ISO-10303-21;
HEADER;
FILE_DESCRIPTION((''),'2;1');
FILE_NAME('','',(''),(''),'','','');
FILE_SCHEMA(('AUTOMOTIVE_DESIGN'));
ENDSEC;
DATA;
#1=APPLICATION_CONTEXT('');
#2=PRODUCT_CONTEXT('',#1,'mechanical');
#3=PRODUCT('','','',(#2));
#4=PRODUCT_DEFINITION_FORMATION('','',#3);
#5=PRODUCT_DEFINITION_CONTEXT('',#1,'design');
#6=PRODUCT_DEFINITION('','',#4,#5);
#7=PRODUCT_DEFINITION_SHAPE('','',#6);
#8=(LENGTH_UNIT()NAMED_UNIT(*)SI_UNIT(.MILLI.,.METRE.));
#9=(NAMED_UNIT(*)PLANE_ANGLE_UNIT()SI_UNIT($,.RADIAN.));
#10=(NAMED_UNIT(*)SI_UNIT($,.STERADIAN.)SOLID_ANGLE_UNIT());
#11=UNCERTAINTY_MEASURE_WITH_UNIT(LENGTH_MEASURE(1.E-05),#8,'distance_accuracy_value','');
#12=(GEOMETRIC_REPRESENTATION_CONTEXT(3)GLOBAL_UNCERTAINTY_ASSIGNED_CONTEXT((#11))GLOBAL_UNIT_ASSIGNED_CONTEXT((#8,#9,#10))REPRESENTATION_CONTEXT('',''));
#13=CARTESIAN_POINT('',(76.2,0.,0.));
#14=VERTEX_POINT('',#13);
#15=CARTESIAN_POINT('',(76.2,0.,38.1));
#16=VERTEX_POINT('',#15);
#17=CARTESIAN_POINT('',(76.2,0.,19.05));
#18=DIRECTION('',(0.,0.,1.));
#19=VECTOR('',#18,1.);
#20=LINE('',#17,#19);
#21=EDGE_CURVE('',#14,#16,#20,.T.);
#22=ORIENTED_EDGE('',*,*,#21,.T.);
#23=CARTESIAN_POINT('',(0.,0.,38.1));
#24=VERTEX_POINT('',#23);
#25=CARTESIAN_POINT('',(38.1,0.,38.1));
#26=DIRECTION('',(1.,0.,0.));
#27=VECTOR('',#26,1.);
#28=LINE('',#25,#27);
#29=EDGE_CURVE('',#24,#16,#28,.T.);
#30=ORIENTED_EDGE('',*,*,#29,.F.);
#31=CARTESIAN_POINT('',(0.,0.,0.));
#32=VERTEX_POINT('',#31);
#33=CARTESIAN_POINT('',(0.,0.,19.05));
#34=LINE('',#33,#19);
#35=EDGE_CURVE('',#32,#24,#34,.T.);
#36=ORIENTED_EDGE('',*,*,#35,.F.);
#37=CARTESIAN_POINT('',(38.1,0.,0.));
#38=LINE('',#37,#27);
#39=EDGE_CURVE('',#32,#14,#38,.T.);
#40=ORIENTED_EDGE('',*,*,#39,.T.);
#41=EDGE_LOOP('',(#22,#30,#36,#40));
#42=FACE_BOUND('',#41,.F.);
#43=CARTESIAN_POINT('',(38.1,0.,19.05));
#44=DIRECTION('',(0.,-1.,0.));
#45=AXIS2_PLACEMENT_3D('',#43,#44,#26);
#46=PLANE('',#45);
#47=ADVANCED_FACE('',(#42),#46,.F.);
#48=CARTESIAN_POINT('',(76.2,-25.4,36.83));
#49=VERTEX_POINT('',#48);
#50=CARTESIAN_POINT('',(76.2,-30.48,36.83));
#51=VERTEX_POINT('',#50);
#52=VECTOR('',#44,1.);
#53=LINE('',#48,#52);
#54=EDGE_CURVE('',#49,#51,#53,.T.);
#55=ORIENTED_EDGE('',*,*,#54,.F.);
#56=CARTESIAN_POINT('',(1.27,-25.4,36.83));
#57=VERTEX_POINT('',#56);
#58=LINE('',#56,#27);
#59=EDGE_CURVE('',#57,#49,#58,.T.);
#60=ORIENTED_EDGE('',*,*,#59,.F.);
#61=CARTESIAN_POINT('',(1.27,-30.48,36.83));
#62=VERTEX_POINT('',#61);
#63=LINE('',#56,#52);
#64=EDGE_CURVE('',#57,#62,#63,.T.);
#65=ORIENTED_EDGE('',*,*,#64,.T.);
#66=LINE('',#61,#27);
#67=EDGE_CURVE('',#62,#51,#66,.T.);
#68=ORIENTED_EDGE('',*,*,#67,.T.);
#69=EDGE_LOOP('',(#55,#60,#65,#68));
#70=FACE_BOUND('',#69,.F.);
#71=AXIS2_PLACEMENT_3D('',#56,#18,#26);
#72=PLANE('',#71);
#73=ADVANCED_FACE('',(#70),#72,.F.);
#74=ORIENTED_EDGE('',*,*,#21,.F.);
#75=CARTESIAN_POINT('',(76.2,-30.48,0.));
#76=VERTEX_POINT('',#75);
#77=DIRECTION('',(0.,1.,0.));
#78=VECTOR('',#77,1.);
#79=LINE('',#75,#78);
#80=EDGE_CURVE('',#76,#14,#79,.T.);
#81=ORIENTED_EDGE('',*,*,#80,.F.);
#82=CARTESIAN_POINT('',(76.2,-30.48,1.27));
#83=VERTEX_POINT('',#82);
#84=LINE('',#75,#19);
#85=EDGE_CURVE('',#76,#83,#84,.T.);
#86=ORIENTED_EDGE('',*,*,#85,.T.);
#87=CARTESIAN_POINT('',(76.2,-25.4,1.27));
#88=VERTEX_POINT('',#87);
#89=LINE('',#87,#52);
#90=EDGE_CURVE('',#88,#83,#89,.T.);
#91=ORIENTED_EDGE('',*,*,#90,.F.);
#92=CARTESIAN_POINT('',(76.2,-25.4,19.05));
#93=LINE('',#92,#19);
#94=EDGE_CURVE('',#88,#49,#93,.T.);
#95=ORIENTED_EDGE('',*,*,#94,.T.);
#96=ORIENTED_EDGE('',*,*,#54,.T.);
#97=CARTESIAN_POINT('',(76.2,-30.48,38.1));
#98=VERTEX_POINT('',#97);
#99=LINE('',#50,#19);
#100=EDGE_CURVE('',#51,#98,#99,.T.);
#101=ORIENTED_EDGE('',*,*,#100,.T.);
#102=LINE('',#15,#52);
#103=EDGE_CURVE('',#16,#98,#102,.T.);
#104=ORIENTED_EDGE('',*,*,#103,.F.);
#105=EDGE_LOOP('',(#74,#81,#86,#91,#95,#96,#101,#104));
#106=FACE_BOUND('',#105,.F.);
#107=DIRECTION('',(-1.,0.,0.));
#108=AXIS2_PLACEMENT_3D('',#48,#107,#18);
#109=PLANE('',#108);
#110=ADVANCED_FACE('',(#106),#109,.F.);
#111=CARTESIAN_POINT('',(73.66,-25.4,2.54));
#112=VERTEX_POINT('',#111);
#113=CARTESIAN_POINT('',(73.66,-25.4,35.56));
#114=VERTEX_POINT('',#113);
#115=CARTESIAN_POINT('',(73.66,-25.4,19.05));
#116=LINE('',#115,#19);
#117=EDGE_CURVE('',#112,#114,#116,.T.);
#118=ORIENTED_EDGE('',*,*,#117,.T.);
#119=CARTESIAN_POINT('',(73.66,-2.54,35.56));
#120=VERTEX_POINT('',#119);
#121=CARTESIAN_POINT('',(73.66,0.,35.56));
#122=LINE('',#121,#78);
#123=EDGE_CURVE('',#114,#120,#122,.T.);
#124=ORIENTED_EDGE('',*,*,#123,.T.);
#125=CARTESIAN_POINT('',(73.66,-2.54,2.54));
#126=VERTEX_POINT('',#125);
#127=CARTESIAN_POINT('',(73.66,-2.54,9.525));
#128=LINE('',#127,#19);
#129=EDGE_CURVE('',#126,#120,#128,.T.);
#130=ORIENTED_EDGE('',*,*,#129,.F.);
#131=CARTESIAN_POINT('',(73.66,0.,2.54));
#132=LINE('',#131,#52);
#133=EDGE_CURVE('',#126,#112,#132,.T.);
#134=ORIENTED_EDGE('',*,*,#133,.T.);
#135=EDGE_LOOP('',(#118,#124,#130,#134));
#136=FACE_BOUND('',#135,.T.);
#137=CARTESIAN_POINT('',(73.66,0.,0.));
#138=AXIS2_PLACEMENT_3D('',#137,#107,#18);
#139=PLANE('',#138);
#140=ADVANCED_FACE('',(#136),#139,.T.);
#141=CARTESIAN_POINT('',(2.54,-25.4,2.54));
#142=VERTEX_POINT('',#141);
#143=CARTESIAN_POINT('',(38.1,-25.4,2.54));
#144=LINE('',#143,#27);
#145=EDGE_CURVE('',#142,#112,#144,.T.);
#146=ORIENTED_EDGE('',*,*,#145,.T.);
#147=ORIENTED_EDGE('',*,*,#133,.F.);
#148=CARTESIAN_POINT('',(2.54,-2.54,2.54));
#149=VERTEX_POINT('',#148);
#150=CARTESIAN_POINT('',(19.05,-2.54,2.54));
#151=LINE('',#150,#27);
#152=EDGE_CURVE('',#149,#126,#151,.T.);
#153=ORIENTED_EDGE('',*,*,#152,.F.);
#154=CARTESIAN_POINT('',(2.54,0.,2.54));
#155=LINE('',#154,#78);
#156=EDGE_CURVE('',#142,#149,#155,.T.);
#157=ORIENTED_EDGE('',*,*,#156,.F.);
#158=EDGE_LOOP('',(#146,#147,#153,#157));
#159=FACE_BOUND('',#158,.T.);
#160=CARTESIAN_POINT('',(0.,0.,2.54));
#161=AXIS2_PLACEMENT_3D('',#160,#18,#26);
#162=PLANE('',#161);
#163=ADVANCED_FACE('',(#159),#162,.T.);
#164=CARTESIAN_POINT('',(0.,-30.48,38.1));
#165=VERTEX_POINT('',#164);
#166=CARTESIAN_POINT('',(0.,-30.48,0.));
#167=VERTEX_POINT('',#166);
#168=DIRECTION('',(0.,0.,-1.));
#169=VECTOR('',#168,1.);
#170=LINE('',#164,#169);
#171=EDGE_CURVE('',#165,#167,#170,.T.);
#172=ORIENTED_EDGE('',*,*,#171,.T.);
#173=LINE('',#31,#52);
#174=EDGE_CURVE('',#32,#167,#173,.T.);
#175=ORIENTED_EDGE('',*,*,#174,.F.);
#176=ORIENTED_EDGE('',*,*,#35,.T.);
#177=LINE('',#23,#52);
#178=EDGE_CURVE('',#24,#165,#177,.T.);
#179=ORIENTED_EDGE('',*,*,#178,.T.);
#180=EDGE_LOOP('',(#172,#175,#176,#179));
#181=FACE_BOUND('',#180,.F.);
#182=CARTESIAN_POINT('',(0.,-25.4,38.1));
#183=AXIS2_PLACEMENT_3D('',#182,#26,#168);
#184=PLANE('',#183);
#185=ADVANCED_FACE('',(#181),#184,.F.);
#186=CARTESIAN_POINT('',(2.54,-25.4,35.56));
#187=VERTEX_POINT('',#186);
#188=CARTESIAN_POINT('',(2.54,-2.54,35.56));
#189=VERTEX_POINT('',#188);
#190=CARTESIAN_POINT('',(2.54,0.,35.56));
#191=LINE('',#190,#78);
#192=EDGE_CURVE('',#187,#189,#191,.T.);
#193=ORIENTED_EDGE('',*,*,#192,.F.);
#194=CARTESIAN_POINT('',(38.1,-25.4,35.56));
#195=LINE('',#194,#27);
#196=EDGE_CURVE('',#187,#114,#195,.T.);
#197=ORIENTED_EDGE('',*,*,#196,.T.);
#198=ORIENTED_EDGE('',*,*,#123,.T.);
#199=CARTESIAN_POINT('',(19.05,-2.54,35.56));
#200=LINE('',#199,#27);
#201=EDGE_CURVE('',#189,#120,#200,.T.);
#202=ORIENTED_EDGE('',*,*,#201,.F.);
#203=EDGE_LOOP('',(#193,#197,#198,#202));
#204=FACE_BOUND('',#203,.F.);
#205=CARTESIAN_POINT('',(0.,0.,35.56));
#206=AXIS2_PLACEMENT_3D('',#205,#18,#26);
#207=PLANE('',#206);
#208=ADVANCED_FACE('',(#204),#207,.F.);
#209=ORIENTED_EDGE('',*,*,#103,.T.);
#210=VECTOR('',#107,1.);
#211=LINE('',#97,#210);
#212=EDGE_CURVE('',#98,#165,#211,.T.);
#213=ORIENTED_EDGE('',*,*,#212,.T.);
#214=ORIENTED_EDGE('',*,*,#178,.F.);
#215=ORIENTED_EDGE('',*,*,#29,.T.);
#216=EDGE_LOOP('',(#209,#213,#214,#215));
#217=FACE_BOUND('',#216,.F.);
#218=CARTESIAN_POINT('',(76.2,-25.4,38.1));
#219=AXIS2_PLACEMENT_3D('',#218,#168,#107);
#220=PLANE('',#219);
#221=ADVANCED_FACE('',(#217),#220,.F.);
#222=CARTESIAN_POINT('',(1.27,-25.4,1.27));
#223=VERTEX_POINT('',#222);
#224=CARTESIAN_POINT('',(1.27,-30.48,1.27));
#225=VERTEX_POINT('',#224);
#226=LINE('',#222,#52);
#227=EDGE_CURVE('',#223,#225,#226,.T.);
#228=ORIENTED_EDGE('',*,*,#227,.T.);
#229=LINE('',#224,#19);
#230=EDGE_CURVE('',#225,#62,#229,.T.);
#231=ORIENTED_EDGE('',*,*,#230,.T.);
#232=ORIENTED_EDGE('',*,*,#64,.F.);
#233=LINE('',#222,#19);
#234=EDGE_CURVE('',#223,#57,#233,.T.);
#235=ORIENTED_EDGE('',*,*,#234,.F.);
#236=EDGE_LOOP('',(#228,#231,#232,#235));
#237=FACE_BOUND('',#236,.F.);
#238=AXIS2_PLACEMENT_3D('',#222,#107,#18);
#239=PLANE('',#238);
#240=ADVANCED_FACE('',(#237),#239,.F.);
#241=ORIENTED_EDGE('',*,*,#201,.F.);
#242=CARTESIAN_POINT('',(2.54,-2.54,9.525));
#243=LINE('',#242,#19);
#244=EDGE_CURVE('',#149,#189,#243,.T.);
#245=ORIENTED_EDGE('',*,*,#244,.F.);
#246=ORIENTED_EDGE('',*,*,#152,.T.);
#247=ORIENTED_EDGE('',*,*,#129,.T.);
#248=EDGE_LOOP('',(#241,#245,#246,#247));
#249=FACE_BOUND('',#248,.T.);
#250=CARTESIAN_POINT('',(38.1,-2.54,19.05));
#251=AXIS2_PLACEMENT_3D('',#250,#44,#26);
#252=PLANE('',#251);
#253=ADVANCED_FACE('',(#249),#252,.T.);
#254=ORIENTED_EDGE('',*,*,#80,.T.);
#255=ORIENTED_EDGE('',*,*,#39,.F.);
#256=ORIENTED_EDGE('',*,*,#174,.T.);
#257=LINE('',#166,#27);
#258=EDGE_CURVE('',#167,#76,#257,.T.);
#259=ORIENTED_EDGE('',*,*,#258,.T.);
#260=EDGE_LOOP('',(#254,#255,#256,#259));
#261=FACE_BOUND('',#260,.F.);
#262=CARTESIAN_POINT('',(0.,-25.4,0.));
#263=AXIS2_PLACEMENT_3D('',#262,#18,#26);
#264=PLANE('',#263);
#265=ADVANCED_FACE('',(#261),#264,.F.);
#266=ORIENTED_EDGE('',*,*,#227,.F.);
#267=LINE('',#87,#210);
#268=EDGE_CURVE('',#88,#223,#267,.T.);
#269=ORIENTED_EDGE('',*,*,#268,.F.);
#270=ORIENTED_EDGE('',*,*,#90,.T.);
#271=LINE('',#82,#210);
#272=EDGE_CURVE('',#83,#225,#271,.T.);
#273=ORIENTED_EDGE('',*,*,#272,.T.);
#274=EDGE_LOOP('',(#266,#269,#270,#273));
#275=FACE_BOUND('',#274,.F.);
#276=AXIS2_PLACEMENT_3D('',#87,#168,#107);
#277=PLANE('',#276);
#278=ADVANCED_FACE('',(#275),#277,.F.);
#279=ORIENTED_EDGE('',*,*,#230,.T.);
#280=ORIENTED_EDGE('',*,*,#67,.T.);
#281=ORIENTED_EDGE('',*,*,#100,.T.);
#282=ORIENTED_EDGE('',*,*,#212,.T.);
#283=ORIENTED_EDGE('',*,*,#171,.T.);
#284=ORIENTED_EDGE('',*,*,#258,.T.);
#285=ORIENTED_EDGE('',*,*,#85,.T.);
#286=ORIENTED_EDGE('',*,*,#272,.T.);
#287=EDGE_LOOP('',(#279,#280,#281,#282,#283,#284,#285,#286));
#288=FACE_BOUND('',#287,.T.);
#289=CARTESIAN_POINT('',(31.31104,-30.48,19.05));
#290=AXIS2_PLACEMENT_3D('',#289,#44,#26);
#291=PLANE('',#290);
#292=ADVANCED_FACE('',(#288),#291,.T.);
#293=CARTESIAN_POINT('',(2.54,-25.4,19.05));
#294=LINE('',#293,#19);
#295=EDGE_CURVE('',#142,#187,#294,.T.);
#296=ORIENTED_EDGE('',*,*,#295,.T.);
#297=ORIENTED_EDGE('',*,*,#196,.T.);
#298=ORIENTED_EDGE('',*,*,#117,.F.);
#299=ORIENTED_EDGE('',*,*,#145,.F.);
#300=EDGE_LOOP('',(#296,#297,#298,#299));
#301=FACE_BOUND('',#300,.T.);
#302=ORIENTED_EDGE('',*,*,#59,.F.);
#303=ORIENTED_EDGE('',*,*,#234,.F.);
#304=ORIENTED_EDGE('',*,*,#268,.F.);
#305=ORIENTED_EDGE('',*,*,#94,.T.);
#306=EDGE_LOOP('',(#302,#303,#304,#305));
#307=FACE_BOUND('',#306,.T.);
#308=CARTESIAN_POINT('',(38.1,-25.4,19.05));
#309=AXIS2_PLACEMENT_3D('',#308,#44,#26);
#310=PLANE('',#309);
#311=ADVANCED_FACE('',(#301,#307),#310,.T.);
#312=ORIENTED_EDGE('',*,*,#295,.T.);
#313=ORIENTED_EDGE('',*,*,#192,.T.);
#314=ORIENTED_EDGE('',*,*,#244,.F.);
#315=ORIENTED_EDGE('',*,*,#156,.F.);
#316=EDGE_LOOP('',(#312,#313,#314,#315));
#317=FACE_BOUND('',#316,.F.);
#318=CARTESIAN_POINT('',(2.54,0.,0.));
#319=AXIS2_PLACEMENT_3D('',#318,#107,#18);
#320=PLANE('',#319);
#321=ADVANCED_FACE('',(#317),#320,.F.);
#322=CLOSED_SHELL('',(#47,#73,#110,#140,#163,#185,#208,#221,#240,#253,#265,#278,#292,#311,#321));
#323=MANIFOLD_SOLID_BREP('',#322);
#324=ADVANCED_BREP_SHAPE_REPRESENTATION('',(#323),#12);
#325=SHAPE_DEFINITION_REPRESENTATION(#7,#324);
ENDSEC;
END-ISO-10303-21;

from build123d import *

# Parameters (mm, degrees)
F0_W     = 76.2
F0_H     = 38.1
F1_DEPTH = 25.4
F2_T     = -2.54
F4_DEPTH = 5.08


with BuildPart() as f1:
    # F0 (on Front) → F1 (new body)
    with BuildSketch(Plane.XZ):
        with Locations((38.1, 19.05)):
            Rectangle(F0_W, F0_H)
    extrude(amount=F1_DEPTH)

    # F2
    f2_openings = [f1.faces().sort_by_distance(p)[0] for p in [
        (38.1, -25.4, 19.05),
    ]]
    offset(amount=F2_T, openings=f2_openings)

    # F3 (on face) → F4 (join)
    with BuildSketch(Plane.XZ.offset(25.4)):
        Polygon((1.27, 36.83), (76.2, 36.83), (76.2, 38.1), (0, 38.1), (0, 0), (76.2, 0), (76.2, 1.27), (1.27, 1.27), align=None)
    extrude(amount=F4_DEPTH)


solid = f1.part
